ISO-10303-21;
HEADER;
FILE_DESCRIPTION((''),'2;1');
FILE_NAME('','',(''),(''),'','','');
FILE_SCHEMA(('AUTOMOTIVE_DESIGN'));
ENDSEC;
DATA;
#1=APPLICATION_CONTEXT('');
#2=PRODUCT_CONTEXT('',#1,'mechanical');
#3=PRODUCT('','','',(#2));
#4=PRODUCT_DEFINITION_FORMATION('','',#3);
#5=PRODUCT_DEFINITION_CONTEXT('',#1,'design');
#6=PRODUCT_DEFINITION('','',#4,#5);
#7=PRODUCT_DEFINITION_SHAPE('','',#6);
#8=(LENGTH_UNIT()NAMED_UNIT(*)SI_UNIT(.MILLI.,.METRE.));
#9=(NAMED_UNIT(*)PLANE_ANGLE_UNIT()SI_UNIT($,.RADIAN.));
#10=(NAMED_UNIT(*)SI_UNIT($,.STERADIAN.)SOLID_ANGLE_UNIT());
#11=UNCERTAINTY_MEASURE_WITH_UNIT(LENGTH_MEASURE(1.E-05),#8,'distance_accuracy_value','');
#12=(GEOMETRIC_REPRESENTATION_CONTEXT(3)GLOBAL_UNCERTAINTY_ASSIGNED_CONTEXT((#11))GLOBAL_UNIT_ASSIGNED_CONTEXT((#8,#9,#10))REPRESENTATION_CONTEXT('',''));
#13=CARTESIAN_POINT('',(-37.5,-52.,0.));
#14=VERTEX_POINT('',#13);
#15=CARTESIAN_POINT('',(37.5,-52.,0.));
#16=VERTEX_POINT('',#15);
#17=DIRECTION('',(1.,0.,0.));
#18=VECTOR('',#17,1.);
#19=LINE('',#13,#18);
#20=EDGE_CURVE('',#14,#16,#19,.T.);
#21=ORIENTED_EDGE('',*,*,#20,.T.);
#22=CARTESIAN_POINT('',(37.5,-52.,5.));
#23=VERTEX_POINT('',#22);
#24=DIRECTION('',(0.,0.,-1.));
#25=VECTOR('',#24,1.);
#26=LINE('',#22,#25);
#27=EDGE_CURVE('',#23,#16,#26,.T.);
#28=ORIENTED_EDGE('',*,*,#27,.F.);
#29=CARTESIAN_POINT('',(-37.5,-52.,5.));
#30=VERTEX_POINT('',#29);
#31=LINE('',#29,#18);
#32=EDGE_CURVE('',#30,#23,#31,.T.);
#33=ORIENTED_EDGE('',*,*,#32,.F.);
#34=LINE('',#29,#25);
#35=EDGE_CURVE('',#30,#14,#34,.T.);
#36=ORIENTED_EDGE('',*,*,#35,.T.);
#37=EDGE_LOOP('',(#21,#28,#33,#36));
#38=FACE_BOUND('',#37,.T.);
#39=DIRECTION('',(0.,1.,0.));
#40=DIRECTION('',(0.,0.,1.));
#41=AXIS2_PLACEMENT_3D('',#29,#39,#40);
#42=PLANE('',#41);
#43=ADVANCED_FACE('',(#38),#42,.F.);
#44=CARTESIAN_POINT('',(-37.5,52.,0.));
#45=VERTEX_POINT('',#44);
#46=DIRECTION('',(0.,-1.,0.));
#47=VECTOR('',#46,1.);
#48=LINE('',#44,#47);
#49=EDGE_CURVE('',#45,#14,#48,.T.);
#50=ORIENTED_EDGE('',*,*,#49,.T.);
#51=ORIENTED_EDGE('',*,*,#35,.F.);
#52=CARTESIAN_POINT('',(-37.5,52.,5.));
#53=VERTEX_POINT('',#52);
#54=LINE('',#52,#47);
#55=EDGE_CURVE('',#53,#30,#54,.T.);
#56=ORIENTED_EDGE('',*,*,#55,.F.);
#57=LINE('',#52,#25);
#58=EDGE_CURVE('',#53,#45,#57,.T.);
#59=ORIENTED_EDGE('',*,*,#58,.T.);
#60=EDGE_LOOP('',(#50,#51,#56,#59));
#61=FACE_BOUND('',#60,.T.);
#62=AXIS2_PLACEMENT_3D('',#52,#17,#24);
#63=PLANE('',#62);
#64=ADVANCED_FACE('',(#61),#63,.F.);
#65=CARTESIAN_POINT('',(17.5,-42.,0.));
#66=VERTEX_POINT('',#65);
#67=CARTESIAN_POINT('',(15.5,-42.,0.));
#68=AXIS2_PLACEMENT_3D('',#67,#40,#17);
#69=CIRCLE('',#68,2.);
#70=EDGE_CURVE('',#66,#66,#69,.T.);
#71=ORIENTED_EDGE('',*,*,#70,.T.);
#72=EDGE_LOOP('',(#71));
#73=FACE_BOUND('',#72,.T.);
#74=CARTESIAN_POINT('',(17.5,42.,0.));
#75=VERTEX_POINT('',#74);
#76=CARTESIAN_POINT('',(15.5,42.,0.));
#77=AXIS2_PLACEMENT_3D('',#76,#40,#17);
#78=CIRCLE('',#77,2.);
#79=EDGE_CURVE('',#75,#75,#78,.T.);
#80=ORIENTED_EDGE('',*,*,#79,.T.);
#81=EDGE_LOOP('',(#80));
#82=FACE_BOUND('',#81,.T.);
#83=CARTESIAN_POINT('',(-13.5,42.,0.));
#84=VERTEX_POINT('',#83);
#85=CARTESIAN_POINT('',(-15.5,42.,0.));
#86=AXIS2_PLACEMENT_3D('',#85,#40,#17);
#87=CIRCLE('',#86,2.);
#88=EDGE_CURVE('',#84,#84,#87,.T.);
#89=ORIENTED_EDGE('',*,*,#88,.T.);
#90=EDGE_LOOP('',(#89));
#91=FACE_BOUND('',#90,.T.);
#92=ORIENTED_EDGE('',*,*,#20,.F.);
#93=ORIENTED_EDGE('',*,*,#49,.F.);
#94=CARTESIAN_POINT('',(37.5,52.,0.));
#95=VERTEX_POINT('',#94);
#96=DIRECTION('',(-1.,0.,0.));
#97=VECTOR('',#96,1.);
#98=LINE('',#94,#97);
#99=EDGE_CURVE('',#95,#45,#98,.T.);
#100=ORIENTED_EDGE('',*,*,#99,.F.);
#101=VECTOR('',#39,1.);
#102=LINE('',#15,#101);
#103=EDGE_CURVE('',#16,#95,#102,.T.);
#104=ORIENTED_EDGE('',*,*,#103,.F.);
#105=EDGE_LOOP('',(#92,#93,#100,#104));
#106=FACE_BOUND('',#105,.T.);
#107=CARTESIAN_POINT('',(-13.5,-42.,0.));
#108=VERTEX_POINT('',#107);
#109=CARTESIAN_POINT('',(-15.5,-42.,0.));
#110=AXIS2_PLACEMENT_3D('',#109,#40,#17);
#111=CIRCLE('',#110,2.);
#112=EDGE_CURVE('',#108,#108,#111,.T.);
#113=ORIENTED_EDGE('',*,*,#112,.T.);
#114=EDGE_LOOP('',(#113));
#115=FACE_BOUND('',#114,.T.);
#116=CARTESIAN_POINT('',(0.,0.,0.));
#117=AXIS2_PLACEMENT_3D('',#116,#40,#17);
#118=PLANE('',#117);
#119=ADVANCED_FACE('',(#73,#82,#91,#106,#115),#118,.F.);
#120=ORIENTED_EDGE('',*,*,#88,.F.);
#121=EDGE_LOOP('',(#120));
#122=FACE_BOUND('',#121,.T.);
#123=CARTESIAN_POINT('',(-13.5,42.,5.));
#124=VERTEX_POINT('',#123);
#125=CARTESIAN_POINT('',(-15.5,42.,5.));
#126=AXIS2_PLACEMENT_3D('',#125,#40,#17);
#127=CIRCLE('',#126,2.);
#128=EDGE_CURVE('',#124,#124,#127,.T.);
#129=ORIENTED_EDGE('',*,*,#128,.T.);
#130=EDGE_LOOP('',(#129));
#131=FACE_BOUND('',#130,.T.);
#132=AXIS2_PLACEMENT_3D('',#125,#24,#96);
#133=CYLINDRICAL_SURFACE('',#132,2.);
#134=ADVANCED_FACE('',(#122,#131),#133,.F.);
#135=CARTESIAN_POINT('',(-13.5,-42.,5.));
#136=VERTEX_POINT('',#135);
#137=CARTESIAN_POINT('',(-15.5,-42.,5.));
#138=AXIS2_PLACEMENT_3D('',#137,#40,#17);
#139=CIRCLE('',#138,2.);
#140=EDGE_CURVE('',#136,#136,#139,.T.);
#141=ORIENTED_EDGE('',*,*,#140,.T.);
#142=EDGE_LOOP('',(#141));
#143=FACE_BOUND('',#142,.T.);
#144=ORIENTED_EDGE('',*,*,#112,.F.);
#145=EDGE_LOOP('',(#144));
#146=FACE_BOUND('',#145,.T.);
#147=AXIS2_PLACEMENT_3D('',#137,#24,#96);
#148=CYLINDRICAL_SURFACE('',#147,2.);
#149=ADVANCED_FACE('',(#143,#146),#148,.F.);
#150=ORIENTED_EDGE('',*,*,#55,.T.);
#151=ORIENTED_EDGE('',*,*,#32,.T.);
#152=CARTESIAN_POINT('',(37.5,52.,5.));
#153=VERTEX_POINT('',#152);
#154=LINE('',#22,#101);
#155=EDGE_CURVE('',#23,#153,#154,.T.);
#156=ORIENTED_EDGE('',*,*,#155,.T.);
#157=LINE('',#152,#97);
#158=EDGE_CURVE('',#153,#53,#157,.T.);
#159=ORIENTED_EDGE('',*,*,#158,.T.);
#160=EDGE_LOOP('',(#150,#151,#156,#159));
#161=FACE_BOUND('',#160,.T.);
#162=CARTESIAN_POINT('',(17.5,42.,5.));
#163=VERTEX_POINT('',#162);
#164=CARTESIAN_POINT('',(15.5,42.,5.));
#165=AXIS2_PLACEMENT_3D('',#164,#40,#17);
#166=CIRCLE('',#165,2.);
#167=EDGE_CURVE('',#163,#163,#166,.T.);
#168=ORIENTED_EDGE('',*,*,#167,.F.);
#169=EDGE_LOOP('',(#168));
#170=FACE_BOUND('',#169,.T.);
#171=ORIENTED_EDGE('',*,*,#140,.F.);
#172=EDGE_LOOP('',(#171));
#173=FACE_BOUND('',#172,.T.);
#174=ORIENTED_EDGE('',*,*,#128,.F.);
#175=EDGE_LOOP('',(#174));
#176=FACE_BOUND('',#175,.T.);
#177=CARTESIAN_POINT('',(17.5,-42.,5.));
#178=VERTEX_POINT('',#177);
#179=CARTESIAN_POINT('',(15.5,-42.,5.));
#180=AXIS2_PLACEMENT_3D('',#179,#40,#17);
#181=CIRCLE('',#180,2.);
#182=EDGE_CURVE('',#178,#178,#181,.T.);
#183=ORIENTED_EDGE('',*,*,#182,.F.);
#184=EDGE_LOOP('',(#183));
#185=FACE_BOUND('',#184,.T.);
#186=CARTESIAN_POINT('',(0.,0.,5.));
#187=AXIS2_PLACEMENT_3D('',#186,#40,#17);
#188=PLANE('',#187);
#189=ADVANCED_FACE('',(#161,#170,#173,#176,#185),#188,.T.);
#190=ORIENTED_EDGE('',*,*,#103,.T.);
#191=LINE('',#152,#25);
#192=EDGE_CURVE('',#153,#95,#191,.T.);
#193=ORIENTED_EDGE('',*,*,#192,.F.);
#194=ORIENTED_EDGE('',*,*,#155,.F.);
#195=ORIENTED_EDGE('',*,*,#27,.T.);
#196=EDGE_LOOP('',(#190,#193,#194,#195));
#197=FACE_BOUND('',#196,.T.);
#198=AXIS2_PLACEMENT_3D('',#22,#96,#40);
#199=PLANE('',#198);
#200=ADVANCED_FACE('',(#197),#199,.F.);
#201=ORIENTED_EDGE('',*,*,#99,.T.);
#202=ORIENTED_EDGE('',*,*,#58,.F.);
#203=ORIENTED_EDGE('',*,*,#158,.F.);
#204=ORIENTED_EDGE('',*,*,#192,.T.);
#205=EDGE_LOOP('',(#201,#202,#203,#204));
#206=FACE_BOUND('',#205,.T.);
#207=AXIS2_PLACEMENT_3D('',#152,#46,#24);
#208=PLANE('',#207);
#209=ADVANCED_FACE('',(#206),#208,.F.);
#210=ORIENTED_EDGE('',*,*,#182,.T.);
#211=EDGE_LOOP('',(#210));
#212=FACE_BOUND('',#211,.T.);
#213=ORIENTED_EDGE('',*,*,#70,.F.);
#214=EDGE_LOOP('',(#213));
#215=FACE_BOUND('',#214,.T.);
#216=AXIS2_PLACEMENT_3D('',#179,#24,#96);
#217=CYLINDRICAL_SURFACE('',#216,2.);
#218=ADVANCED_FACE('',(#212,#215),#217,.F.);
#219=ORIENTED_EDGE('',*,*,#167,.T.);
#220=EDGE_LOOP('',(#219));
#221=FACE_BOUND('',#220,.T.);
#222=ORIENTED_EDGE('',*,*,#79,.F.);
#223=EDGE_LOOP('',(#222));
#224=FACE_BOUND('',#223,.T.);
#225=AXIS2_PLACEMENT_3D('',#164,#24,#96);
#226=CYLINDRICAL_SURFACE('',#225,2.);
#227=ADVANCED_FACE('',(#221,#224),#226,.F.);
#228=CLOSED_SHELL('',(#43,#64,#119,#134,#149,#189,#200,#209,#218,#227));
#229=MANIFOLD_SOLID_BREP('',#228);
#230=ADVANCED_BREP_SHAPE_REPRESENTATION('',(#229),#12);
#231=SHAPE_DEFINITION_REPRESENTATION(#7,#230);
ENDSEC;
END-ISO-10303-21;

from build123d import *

# Parameters (mm, degrees)
SKETCH1_W           = 75
SKETCH1_H           = 104
SKETCH1_R           = 2
BOSS_EXTRUDE1_DEPTH = 5


with BuildPart() as part:
    # Sketch1 → Boss-Extrude1 (new body)
    with BuildSketch(Plane.XY):
        Rectangle(SKETCH1_W, SKETCH1_H)
        with Locations((15.5, -42)):
            Circle(SKETCH1_R, mode=Mode.SUBTRACT)
        with Locations((-15.5, -42)):
            Circle(SKETCH1_R, mode=Mode.SUBTRACT)
        with Locations((15.5, 42)):
            Circle(SKETCH1_R, mode=Mode.SUBTRACT)
        with Locations((-15.5, 42)):
            Circle(SKETCH1_R, mode=Mode.SUBTRACT)
    extrude(amount=BOSS_EXTRUDE1_DEPTH)


solid = part.part
